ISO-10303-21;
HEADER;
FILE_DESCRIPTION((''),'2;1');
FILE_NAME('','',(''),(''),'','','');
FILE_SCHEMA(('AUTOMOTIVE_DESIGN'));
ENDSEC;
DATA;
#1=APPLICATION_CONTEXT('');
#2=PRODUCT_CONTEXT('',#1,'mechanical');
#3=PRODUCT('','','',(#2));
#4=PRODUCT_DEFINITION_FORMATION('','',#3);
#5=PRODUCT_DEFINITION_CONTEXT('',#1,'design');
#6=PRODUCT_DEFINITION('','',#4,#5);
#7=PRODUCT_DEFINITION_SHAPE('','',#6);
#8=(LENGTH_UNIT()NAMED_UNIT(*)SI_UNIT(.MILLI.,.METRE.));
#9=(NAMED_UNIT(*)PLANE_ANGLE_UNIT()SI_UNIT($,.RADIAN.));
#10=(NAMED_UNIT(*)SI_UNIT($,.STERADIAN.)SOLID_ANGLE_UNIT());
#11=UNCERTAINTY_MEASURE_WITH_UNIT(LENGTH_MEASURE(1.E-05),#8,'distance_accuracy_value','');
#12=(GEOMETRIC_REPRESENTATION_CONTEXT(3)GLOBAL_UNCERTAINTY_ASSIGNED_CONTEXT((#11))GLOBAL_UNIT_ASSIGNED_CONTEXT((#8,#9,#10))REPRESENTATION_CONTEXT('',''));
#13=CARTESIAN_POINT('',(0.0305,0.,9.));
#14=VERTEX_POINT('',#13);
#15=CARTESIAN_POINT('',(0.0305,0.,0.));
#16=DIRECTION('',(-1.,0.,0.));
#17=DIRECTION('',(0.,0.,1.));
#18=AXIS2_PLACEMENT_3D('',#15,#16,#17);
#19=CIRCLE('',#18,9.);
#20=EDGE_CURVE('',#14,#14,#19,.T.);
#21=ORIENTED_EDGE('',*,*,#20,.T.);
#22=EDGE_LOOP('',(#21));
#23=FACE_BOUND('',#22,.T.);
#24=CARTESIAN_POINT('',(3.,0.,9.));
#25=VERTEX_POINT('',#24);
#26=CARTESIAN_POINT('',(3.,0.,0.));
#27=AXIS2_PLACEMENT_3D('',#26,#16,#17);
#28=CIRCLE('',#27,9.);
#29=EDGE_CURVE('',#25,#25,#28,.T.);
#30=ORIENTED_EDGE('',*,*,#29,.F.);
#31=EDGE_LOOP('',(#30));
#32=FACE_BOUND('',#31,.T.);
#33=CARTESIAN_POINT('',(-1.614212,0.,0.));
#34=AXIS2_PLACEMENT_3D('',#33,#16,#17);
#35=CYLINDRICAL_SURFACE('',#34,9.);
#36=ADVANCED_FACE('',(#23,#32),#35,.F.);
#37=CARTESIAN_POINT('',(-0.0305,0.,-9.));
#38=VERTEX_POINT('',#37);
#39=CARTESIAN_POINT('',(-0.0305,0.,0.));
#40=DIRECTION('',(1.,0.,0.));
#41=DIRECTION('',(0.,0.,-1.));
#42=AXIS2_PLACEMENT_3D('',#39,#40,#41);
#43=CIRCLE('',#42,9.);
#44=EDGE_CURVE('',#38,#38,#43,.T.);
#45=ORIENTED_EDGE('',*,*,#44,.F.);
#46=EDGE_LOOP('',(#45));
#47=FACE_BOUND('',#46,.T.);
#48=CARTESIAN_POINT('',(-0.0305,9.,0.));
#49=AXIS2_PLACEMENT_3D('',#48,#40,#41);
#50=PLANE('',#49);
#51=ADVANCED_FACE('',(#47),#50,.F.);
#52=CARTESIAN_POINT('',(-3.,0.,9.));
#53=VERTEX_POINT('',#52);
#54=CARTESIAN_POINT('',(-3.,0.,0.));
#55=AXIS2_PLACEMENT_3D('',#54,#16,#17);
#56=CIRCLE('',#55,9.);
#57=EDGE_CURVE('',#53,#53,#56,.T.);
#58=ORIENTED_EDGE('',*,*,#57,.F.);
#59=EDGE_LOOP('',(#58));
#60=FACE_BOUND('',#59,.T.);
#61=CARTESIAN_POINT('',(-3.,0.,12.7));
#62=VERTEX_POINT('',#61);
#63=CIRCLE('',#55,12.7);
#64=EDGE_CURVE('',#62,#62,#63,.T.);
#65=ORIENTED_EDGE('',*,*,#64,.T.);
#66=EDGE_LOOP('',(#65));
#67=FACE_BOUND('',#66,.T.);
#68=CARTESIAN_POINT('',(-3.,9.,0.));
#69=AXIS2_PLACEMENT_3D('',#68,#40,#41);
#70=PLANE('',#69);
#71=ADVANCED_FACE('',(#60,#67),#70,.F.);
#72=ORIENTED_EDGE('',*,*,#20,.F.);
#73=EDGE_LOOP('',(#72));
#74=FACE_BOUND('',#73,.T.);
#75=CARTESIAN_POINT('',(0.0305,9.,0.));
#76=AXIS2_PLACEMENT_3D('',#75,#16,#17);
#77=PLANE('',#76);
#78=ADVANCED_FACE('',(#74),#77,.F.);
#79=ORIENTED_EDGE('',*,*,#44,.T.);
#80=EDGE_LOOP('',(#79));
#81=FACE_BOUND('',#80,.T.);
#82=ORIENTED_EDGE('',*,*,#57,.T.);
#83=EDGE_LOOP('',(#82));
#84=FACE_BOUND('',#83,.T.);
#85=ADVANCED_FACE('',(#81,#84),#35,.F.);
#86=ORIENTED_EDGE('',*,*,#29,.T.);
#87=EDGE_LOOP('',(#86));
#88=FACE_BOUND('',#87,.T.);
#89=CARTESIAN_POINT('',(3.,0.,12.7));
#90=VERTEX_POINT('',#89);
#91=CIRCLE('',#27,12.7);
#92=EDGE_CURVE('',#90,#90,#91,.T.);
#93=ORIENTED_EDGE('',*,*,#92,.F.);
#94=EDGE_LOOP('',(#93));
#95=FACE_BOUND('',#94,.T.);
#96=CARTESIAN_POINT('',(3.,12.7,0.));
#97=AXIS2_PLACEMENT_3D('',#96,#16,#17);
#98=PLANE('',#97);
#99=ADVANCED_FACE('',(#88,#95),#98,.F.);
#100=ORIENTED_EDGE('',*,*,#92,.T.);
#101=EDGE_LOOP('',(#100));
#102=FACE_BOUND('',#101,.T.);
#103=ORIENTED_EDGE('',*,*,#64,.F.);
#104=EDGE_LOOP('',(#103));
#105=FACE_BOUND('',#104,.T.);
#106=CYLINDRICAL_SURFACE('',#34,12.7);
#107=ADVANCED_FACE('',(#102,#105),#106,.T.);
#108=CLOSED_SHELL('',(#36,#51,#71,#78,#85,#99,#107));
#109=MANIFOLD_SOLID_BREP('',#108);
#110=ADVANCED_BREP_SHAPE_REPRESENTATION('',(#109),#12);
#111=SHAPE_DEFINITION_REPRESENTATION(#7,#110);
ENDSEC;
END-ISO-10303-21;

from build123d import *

# Parameters (mm, degrees)
SKETCH_1_W = 0.061
SKETCH_1_H = 9
SKETCH_4_W = 6
SKETCH_4_H = 3.7


with BuildPart() as part:
    # 草图1 → 旋转2 (revolve)
    with BuildSketch(Plane.XY, mode=Mode.PRIVATE) as revolve_2_sk:
        with Locations((0, 4.5)):
            Rectangle(SKETCH_1_W, SKETCH_1_H)
    revolve(revolve_2_sk.sketch.rotate(Axis((-0.0305, 0, 0), (1, 0, 0)), 90), axis=Axis((-0.0305, 0, 0), (1, 0, 0)))  # turned: the seam where the file's is

    # 草图4 → 旋转3 (revolve)
    with BuildSketch(Plane.XY, mode=Mode.PRIVATE) as revolve_3_sk:
        with Locations((0, 10.85)):
            Rectangle(SKETCH_4_W, SKETCH_4_H)
    revolve(revolve_3_sk.sketch.rotate(Axis((-1.614212419, 0, 0), (1, 0, 0)), 90), axis=Axis((-1.614212419, 0, 0), (1, 0, 0)))  # turned: the seam where the file's is


solid = part.part
